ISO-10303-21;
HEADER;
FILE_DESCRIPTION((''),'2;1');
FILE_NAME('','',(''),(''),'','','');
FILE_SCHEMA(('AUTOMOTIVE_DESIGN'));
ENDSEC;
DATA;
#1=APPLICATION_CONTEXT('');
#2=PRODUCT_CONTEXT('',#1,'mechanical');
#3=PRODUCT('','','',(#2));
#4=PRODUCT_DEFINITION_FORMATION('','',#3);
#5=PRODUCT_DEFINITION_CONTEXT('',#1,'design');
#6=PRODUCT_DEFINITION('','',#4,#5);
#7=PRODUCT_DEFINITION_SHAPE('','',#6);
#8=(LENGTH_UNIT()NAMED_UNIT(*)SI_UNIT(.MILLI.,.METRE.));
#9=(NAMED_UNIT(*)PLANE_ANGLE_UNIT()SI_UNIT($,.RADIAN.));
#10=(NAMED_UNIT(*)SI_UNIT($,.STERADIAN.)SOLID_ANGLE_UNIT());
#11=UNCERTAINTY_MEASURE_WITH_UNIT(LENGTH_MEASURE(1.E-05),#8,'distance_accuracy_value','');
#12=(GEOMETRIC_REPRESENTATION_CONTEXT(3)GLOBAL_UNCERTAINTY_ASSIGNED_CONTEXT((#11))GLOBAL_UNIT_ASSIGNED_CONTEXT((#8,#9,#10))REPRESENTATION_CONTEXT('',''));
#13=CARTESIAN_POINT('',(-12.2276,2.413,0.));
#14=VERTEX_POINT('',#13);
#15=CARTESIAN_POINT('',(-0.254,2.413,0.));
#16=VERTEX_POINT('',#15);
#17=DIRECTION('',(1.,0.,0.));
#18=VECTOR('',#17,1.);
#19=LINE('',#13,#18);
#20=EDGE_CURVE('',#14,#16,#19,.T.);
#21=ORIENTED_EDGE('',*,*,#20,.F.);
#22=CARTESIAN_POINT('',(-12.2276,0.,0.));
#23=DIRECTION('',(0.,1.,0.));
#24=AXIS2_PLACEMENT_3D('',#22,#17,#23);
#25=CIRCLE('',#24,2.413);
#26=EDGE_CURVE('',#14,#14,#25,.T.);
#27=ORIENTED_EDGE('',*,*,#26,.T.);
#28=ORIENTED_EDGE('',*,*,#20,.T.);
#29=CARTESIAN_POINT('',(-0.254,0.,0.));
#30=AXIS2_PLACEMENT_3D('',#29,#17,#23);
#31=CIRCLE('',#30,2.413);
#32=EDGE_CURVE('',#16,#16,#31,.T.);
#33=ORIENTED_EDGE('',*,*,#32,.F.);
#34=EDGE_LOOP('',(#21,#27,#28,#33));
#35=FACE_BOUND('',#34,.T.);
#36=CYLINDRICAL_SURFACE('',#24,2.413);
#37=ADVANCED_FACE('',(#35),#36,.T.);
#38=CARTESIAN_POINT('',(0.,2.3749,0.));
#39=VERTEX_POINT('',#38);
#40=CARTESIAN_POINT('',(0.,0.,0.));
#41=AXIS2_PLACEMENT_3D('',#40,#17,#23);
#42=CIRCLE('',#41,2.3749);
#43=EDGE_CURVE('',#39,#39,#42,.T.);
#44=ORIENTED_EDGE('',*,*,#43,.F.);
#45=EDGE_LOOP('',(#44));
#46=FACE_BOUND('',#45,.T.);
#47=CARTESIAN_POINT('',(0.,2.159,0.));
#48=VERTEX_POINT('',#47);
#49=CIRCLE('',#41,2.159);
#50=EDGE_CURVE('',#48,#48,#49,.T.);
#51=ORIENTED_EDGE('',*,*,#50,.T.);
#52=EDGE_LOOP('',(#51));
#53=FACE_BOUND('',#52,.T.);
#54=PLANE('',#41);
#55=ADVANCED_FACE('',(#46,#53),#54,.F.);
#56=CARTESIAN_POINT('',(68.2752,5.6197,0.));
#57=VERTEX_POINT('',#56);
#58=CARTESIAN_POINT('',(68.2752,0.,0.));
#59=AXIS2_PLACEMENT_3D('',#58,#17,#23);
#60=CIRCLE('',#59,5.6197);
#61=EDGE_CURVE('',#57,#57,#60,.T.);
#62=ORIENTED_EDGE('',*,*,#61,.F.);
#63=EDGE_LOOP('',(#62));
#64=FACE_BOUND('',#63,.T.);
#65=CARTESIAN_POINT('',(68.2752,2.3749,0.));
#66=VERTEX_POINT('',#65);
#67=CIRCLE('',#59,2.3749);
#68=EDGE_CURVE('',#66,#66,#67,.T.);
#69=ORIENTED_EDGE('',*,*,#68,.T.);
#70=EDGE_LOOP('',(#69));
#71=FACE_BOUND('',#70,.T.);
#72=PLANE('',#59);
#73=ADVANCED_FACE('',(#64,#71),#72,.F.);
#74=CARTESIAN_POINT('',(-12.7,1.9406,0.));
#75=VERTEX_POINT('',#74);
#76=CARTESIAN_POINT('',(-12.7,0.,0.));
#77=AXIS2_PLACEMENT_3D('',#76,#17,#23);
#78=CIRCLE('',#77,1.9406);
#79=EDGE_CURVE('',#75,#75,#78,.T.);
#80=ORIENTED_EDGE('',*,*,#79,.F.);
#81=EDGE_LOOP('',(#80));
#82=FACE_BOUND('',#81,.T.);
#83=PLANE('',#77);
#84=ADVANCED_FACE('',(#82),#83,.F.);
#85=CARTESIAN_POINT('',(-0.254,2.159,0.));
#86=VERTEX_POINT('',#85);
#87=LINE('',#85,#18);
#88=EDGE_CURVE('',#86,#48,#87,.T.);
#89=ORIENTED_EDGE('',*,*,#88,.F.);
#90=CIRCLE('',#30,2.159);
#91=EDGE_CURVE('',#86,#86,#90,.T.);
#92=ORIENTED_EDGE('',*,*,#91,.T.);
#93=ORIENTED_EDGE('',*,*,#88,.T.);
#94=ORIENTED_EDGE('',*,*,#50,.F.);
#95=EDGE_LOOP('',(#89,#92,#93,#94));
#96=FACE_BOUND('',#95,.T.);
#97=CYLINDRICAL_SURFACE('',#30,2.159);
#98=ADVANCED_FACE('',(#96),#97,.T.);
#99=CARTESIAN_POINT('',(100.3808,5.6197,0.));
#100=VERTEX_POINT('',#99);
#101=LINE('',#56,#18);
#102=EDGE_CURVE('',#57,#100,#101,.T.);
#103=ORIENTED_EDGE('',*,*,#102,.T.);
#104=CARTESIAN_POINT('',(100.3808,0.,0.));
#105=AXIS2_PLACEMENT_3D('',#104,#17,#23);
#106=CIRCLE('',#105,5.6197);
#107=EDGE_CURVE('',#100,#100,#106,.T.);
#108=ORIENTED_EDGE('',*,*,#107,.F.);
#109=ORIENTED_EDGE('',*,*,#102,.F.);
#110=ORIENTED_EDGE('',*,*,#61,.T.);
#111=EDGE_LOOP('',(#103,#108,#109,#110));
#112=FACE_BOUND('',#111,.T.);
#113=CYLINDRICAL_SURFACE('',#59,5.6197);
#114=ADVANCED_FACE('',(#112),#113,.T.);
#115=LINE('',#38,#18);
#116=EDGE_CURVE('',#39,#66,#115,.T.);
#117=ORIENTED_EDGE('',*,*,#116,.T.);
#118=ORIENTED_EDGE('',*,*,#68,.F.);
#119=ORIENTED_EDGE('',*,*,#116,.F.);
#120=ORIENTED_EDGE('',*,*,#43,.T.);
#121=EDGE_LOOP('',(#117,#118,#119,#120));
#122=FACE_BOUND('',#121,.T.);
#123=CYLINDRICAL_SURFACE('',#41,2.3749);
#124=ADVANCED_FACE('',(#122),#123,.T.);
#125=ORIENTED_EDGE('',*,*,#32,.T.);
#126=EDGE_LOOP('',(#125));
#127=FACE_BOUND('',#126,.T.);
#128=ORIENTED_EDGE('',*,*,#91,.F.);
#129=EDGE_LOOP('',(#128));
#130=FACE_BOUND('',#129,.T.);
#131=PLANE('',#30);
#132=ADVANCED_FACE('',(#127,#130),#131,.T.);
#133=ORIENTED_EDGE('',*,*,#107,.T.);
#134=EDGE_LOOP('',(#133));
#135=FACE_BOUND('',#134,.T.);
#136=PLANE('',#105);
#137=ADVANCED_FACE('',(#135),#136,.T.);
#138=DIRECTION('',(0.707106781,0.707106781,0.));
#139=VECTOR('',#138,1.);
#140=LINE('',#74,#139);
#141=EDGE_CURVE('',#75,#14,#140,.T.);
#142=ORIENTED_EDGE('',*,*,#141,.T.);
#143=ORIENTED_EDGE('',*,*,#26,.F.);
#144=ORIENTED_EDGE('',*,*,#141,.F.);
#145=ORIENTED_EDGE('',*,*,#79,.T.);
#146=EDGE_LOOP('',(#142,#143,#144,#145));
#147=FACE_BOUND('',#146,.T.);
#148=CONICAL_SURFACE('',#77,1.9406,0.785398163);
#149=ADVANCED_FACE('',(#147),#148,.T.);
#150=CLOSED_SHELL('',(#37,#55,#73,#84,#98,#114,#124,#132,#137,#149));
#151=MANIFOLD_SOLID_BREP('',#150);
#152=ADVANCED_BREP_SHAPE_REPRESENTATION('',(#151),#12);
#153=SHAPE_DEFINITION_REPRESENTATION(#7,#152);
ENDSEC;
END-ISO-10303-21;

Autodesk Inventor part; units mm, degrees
sketch "Sketch_1" plane through (0, 0, 0) normal (0, 0, 1) x (1, 0, 0)
  line L0 (100.3808, 0) -> (0, 0)
  line L1 (0, 0) -> (0, 2.3749)
  line L2 (0, 2.3749) -> (68.2752, 2.3749)
  line L3 (68.2752, 2.3749) -> (68.2752, 5.6197)
  line L4 (68.2752, 5.6197) -> (100.3808, 5.6197)
  line L5 (100.3808, 5.6197) -> (100.3808, 0)
  line L6 (100.3808, 0) -> (0, 0)
revolve "Revolution1" add sketch "Sketch_1" angle 360 about axis through (100.3808, 0, 0) along (1, 0, 0)
sketch "Sketch_3" plane through (0, 0, 0) normal (0, 0, 1) x (1, 0, 0)
  line L0 (0, 0) -> (-12.7, 0)
  line L1 (-12.7, 0) -> (-12.7, 1.9406)
  line L2 (-12.7, 1.9406) -> (-12.2276, 2.413)
  line L3 (-12.2276, 2.413) -> (0, 2.413)
  line L4 (0, 2.413) -> (0, 0)
  line L5 (0, 0) -> (-12.7, 0)
revolve "Revolution2" add sketch "Sketch_3" angle 360 about axis through (0, 0, 0) along (1, 0, 0)
thread "Thread1" size "10-32 UNF" class "2A" standard "ANSI Unified Screw Threads" full length
sketch "Sketch_30" plane through (0, 0, 0) normal (0, 0, 1) x (1, 0, 0)
  line L0 (0, 0) -> (-0.254, 0)
  line L1 (-0.254, 2.159) -> (0, 2.159)
  line L2 (0, 2.159) -> (0, 2.667)
  line L3 (0, 2.667) -> (-0.254, 2.667)
  line L4 (-0.254, 2.667) -> (-0.254, 2.159)
revolve "Revolution3" cut sketch "Sketch_30" angle 360 about axis through (0, 0, 0) along (1, 0, 0)
ref_plane "dia1_XY" through (0, 2.3749, 0) normal (1, 0, 0) x (0, 0, -1)
ref_plane "dia1_YZ" through (0, 2.3749, 0) normal (0, 0, -1) x (0, 1, 0)
ref_plane "dia1_ZX" through (0, 2.3749, 0) normal (0, 1, 0) x (1, 0, 0)
ref_plane "dia12_XY" through (0, 0, 6.1468) normal (1, 0, 0) x (0, 0, -1)
ref_plane "dia12_YZ" through (0, 0, 6.1468) normal (0, 0, -1) x (0, 1, 0)
ref_plane "dia12_ZX" through (0, 0, 6.1468) normal (0, 1, 0) x (1, 0, 0)
ref_plane "dia2_XY" through (0, -2.3749, 0) normal (1, 0, 0) x (0, 0, -1)
ref_plane "dia2_YZ" through (0, -2.3749, 0) normal (0, 0, -1) x (0, 1, 0)
ref_plane "dia2_ZX" through (0, -2.3749, 0) normal (0, 1, 0) x (1, 0, 0)
ref_plane "dia22_XY" through (0, 0, -6.1468) normal (1, 0, 0) x (0, 0, -1)
ref_plane "dia22_YZ" through (0, 0, -6.1468) normal (0, 0, -1) x (0, 1, 0)
ref_plane "dia22_ZX" through (0, 0, -6.1468) normal (0, 1, 0) x (1, 0, 0)
ref_plane "rl1_XY" through (-12.7, 0, 0) normal (1, 0, 0) x (0, 0, -1)
ref_plane "rl1_YZ" through (-12.7, 0, 0) normal (0, 0, -1) x (0, 1, 0)
ref_plane "rl1_ZX" through (-12.7, 0, 0) normal (0, 1, 0) x (1, 0, 0)
ref_plane "rl2_XY" through (0, 0, 0) normal (1, 0, 0) x (0, 0, -1)
ref_plane "rl2_YZ" through (0, 0, 0) normal (0, 0, -1) x (0, 1, 0)
ref_plane "rl2_ZX" through (0, 0, 0) normal (0, 1, 0) x (1, 0, 0)
ref_plane "rod_cp_XY" through (0, 0, 0) normal (1, 0, 0) x (0, 0, -1)
ref_plane "rod_cp_YZ" through (0, 0, 0) normal (0, 0, -1) x (0, 1, 0)
ref_plane "rod_cp_ZX" through (0, 0, 0) normal (0, 1, 0) x (1, 0, 0)
ref_plane "thd1_XY" through (-12.7, 2.413, 0) normal (1, 0, 0) x (0, 0, -1)
ref_plane "thd1_YZ" through (-12.7, 2.413, 0) normal (0, 0, -1) x (0, 1, 0)
ref_plane "thd1_ZX" through (-12.7, 2.413, 0) normal (0, 1, 0) x (1, 0, 0)
ref_plane "thd2_XY" through (-12.7, -2.413, 0) normal (1, 0, 0) x (0, 0, -1)
ref_plane "thd2_YZ" through (-12.7, -2.413, 0) normal (0, 0, -1) x (0, 1, 0)
ref_plane "thd2_ZX" through (-12.7, -2.413, 0) normal (0, 1, 0) x (1, 0, 0)
ref_plane "to_rod_clevis_XY" through (-12.7, 0, 0) normal (1, 0, 0) x (0, 0, -1)
ref_plane "to_rod_clevis_YZ" through (-12.7, 0, 0) normal (0, 0, -1) x (0, 1, 0)
ref_plane "to_rod_clevis_ZX" through (-12.7, 0, 0) normal (0, 1, 0) x (1, 0, 0)
properties part number "M-011-BT1EE110_rod"
